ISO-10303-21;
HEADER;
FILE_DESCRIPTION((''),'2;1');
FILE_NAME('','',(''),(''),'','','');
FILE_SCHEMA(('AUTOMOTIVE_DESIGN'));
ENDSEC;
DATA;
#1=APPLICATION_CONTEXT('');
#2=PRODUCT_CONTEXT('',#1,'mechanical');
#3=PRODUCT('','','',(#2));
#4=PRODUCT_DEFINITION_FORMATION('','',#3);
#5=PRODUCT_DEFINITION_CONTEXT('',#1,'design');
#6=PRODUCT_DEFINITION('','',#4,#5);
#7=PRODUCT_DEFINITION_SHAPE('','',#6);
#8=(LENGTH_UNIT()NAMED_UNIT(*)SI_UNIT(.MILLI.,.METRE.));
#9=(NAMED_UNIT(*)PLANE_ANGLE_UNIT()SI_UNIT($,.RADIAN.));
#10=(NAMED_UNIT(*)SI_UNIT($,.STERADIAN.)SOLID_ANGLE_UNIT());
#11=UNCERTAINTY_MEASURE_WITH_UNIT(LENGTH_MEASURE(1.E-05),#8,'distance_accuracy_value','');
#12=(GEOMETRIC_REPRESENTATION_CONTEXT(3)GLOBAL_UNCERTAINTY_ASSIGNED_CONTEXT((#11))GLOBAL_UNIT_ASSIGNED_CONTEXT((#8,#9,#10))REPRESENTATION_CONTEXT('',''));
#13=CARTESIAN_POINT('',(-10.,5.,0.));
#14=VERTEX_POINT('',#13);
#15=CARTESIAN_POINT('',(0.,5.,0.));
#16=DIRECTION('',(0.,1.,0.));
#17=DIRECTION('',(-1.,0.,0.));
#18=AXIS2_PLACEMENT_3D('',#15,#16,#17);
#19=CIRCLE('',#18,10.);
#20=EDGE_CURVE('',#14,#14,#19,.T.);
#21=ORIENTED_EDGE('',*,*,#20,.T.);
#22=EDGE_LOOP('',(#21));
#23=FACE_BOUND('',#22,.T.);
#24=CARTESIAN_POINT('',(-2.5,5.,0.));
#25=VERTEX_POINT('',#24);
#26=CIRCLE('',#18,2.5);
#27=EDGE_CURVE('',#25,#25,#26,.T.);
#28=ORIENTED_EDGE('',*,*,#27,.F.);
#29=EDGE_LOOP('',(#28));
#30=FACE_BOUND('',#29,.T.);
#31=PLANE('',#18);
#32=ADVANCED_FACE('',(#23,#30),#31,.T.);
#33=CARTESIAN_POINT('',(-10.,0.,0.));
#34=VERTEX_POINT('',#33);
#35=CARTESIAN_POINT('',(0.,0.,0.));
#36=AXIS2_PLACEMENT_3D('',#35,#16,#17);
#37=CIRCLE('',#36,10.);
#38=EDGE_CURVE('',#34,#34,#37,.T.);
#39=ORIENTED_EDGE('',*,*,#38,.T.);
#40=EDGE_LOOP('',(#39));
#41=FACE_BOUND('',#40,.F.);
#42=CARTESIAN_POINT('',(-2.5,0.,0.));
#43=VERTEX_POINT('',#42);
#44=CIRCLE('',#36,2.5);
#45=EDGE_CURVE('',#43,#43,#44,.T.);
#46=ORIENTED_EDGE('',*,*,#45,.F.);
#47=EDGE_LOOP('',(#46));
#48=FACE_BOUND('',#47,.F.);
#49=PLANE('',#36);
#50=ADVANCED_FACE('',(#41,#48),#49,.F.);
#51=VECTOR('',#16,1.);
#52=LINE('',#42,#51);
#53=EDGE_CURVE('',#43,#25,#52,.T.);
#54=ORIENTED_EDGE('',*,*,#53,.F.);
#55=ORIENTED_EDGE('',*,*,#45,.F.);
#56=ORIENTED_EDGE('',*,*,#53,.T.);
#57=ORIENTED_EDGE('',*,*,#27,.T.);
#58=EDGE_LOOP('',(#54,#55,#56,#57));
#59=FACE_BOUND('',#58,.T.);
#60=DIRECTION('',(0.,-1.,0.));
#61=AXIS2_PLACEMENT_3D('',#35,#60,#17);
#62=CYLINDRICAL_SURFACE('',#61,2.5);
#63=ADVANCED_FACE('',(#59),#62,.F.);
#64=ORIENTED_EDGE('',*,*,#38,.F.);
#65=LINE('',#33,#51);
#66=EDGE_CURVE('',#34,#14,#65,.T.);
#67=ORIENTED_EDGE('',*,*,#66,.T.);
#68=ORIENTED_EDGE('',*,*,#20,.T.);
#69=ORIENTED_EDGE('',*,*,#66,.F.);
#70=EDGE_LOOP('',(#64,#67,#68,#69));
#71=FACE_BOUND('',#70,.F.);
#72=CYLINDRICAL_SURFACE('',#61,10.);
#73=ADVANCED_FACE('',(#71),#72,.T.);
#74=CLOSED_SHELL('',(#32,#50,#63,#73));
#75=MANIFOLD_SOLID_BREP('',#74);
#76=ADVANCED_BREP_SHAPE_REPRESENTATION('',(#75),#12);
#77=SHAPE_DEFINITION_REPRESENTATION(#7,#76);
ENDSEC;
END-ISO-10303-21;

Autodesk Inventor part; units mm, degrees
ref_plane "YZ Plane" through (0, 0, 0) normal (1, 0, 0) x (0, 1, 0)
ref_plane "XZ Plane" through (0, 0, 0) normal (0, 1, 0) x (-1, 0, 0)
ref_plane "XY Plane" through (0, 0, 0) normal (0, 0, 1) x (1, 0, 0)
sketch "Sketch1" plane through (0, 0, 0) normal (0, 1, 0) x (-1, 0, 0)
  circle A0 centre (0, 0) radius 10
  circle A1 centre (0, 0) radius 2.5
  dimension "d0" = 20
  dimension "d1" = 5
extrude "Extrusion1" add sketch "Sketch1" along normal blind 5
properties part number "Kotač_konekcija_v.1.0"
